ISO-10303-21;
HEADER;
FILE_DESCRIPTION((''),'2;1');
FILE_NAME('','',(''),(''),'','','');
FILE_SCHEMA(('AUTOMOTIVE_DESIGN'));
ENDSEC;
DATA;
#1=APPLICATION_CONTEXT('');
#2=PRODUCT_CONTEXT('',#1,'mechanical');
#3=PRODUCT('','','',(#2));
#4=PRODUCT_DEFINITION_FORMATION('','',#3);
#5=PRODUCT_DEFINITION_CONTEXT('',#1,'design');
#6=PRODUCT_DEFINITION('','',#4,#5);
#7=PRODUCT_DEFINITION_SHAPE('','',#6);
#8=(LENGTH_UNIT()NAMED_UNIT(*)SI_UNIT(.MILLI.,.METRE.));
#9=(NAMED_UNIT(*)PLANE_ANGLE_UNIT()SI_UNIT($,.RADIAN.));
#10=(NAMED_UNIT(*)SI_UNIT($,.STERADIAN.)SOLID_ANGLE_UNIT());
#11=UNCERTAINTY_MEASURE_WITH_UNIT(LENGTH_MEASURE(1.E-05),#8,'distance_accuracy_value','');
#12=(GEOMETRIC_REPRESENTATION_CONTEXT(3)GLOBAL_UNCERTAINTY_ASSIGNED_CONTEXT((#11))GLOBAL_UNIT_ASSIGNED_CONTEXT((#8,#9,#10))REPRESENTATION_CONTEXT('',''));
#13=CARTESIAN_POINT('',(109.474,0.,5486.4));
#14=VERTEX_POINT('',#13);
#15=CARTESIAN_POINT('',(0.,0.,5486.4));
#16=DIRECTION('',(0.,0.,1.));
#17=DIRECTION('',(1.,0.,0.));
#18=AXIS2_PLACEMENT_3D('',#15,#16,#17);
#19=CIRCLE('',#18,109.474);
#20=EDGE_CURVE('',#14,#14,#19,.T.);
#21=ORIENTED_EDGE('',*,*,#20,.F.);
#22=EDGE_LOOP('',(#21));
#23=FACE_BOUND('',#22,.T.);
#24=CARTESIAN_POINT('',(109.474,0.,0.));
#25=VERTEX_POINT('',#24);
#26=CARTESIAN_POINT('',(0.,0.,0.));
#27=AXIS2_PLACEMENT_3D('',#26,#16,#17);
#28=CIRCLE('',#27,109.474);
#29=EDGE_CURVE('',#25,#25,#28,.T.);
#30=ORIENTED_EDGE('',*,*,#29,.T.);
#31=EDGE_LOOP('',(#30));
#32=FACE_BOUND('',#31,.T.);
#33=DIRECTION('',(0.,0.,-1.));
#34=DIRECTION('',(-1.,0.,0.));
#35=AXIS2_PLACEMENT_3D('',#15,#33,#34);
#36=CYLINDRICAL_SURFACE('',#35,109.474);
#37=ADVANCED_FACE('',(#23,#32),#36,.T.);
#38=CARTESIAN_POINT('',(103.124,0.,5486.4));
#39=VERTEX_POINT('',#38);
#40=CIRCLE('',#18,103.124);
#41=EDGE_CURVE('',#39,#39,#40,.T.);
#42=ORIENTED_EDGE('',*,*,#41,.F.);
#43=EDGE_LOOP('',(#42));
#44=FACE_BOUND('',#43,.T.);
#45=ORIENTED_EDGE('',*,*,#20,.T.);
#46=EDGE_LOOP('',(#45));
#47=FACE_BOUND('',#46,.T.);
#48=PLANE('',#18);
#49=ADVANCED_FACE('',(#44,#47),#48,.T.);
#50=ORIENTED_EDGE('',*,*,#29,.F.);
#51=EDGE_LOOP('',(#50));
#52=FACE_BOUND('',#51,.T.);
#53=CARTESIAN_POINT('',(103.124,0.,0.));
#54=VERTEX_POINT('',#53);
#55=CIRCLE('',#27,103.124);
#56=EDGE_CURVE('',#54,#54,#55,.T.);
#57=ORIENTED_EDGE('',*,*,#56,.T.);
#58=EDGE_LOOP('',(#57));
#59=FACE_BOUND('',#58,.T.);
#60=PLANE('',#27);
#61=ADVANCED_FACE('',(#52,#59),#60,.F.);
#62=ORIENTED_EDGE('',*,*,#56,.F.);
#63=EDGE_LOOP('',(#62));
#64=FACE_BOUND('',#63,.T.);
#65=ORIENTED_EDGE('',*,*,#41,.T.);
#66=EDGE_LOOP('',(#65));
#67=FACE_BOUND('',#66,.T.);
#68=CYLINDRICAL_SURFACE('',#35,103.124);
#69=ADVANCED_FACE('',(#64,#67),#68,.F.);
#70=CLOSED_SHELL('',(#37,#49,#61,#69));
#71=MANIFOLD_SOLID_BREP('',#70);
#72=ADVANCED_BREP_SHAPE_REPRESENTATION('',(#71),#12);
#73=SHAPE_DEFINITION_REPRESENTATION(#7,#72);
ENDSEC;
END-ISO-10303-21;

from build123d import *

# Parameters (mm, degrees)
PIPESKETCH_R    = 109.474
PIPESKETCH_R_2  = 103.124
EXTRUSION_DEPTH = 5486.4


with BuildPart() as part:
    # PipeSketch → Extrusion (new body)
    with BuildSketch(Plane.XY):
        Circle(PIPESKETCH_R)
        Circle(PIPESKETCH_R_2, mode=Mode.SUBTRACT)
    extrude(amount=EXTRUSION_DEPTH)


solid = part.part
